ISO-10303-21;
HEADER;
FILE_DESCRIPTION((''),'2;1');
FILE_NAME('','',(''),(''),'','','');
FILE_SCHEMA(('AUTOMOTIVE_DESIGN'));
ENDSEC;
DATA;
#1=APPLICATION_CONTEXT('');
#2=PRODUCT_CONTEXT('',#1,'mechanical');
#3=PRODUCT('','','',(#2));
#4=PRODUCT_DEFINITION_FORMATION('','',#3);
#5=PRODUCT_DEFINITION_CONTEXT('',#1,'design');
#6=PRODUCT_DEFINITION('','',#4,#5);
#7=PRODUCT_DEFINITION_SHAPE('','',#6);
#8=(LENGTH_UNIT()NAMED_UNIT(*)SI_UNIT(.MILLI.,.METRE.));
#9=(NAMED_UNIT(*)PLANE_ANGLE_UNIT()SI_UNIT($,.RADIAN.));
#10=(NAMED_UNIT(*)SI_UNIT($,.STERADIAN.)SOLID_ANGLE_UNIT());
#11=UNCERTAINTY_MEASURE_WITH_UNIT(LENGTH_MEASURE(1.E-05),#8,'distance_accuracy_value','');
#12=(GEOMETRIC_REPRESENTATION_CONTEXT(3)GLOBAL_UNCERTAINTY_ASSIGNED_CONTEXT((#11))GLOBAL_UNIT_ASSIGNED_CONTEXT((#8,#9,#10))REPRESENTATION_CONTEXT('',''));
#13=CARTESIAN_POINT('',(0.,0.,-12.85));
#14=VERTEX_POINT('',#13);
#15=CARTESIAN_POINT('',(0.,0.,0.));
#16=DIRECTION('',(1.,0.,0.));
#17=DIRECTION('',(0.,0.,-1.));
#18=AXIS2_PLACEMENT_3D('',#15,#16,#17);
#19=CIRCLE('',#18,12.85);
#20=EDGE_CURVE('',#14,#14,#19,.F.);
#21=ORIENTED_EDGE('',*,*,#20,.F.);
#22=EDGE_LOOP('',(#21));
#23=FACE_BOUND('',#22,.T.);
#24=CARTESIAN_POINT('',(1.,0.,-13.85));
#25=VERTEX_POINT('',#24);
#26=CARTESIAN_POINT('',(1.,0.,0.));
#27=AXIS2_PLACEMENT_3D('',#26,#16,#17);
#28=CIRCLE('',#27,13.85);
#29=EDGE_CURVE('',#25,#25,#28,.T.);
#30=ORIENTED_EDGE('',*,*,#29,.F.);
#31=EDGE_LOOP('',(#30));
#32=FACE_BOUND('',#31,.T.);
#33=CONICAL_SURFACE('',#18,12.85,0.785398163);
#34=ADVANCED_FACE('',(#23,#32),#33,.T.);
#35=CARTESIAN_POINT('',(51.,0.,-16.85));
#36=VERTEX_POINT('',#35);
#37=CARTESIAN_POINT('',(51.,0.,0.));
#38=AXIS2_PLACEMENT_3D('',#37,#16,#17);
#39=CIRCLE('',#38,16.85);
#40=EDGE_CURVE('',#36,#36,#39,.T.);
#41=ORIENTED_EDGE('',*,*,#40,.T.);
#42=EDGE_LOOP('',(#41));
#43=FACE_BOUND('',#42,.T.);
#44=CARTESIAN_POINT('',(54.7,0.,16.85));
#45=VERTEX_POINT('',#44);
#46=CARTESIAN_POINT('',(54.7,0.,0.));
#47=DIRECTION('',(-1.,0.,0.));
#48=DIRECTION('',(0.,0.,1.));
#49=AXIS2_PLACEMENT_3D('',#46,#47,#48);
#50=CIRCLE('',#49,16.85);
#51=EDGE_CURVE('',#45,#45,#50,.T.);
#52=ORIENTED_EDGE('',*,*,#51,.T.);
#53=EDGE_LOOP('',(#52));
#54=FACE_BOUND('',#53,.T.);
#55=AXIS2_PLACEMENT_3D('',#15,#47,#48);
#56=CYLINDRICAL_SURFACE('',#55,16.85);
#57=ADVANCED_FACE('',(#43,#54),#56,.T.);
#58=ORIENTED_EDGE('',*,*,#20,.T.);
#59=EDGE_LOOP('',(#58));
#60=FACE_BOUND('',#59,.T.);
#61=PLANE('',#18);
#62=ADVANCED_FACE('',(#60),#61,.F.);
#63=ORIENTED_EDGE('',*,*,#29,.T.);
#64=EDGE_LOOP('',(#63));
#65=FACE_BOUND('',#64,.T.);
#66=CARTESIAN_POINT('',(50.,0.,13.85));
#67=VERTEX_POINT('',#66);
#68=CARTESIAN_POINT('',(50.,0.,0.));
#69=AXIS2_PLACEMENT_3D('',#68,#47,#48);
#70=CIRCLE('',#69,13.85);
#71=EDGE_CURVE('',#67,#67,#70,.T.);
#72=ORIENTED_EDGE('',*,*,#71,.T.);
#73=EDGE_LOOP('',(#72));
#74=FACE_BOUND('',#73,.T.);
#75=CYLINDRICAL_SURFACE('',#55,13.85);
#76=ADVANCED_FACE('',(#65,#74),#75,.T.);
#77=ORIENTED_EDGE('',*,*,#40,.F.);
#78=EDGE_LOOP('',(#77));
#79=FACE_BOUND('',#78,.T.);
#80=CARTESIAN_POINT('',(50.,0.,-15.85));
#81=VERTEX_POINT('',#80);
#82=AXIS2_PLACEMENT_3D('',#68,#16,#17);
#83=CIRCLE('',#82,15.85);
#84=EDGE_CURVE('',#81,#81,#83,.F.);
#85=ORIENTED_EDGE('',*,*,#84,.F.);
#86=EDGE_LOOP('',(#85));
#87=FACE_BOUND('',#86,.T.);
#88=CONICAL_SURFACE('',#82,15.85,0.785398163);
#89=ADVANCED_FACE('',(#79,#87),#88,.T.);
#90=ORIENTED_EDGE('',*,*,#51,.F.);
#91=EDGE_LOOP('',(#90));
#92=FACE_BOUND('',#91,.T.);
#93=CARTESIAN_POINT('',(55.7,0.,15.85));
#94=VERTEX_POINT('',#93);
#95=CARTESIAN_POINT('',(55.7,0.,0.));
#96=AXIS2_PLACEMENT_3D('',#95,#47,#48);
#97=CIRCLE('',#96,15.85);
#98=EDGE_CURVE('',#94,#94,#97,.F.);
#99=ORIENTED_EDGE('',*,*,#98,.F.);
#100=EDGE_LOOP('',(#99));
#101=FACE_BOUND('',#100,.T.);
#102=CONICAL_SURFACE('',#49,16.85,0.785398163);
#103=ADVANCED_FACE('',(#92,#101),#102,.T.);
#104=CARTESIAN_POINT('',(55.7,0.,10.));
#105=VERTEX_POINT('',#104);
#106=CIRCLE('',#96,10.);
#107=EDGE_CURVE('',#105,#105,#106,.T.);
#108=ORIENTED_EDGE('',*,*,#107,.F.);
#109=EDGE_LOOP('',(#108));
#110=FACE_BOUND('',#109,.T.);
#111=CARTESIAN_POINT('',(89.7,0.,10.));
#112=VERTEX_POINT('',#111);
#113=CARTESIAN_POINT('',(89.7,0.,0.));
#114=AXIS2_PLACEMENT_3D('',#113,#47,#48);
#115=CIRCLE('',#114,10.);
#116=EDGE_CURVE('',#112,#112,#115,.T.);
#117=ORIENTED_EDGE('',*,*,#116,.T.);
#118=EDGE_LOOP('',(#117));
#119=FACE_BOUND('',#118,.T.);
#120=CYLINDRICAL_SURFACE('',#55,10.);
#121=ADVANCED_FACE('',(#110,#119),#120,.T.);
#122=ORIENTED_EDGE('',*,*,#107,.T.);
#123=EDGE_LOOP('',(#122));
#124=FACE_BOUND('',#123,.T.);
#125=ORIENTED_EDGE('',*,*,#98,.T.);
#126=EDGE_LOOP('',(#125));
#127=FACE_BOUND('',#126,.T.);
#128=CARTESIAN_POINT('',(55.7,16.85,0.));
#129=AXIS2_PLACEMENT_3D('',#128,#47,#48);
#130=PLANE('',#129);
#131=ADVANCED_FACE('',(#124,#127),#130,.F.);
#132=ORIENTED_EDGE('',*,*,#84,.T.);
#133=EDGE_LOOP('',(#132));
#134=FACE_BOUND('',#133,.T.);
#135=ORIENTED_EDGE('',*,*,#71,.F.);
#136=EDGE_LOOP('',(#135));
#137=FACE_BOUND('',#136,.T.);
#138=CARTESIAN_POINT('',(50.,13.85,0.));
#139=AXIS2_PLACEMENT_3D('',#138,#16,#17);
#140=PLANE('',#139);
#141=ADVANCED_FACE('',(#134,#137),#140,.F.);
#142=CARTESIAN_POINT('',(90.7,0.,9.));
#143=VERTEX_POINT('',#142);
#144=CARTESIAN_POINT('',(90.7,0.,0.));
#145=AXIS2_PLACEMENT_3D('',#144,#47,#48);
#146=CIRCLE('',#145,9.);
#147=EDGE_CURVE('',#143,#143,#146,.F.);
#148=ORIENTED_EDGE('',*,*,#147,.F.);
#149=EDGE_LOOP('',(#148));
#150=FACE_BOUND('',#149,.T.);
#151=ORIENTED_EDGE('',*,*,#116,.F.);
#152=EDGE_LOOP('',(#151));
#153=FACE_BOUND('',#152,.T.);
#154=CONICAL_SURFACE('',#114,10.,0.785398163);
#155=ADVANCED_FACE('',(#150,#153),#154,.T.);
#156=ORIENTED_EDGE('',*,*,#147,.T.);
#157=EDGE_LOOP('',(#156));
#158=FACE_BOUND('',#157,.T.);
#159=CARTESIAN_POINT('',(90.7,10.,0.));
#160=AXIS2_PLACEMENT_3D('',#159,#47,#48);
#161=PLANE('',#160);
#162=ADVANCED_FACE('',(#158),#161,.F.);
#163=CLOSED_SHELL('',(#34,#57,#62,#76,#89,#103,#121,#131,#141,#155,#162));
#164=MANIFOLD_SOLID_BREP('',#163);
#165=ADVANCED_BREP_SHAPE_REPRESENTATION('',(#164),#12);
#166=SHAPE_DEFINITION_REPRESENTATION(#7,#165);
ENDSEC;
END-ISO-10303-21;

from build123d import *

# Parameters (mm, degrees)
CHAMFER_1_SIZE = 1


with BuildPart() as part:
    # Эскиз1 → Повернуть1 (revolve)
    with BuildSketch(Plane.XY, mode=Mode.PRIVATE) as revolve_1_sk:
        Polygon((0, 0), (0, 13.85), (50, 13.85), (50, 16.85), (55.7, 16.85), (55.7, 10), (90.7, 10), (90.7, 0), align=None)
    revolve(revolve_1_sk.sketch.rotate(Axis((0, 0, 0), (1, 0, 0)), 90), axis=Axis((0, 0, 0), (1, 0, 0)))

    # Фаска1
    chamfer_1_edges = [part.edges().sort_by_distance(p)[0] for p in [
        (90.7, 0, -10),
        (55.7, 0, -16.85),
        (50, 0, -16.85),
        (0, 0, -13.85),
    ]]
    chamfer(chamfer_1_edges, length=CHAMFER_1_SIZE)


solid = part.part
